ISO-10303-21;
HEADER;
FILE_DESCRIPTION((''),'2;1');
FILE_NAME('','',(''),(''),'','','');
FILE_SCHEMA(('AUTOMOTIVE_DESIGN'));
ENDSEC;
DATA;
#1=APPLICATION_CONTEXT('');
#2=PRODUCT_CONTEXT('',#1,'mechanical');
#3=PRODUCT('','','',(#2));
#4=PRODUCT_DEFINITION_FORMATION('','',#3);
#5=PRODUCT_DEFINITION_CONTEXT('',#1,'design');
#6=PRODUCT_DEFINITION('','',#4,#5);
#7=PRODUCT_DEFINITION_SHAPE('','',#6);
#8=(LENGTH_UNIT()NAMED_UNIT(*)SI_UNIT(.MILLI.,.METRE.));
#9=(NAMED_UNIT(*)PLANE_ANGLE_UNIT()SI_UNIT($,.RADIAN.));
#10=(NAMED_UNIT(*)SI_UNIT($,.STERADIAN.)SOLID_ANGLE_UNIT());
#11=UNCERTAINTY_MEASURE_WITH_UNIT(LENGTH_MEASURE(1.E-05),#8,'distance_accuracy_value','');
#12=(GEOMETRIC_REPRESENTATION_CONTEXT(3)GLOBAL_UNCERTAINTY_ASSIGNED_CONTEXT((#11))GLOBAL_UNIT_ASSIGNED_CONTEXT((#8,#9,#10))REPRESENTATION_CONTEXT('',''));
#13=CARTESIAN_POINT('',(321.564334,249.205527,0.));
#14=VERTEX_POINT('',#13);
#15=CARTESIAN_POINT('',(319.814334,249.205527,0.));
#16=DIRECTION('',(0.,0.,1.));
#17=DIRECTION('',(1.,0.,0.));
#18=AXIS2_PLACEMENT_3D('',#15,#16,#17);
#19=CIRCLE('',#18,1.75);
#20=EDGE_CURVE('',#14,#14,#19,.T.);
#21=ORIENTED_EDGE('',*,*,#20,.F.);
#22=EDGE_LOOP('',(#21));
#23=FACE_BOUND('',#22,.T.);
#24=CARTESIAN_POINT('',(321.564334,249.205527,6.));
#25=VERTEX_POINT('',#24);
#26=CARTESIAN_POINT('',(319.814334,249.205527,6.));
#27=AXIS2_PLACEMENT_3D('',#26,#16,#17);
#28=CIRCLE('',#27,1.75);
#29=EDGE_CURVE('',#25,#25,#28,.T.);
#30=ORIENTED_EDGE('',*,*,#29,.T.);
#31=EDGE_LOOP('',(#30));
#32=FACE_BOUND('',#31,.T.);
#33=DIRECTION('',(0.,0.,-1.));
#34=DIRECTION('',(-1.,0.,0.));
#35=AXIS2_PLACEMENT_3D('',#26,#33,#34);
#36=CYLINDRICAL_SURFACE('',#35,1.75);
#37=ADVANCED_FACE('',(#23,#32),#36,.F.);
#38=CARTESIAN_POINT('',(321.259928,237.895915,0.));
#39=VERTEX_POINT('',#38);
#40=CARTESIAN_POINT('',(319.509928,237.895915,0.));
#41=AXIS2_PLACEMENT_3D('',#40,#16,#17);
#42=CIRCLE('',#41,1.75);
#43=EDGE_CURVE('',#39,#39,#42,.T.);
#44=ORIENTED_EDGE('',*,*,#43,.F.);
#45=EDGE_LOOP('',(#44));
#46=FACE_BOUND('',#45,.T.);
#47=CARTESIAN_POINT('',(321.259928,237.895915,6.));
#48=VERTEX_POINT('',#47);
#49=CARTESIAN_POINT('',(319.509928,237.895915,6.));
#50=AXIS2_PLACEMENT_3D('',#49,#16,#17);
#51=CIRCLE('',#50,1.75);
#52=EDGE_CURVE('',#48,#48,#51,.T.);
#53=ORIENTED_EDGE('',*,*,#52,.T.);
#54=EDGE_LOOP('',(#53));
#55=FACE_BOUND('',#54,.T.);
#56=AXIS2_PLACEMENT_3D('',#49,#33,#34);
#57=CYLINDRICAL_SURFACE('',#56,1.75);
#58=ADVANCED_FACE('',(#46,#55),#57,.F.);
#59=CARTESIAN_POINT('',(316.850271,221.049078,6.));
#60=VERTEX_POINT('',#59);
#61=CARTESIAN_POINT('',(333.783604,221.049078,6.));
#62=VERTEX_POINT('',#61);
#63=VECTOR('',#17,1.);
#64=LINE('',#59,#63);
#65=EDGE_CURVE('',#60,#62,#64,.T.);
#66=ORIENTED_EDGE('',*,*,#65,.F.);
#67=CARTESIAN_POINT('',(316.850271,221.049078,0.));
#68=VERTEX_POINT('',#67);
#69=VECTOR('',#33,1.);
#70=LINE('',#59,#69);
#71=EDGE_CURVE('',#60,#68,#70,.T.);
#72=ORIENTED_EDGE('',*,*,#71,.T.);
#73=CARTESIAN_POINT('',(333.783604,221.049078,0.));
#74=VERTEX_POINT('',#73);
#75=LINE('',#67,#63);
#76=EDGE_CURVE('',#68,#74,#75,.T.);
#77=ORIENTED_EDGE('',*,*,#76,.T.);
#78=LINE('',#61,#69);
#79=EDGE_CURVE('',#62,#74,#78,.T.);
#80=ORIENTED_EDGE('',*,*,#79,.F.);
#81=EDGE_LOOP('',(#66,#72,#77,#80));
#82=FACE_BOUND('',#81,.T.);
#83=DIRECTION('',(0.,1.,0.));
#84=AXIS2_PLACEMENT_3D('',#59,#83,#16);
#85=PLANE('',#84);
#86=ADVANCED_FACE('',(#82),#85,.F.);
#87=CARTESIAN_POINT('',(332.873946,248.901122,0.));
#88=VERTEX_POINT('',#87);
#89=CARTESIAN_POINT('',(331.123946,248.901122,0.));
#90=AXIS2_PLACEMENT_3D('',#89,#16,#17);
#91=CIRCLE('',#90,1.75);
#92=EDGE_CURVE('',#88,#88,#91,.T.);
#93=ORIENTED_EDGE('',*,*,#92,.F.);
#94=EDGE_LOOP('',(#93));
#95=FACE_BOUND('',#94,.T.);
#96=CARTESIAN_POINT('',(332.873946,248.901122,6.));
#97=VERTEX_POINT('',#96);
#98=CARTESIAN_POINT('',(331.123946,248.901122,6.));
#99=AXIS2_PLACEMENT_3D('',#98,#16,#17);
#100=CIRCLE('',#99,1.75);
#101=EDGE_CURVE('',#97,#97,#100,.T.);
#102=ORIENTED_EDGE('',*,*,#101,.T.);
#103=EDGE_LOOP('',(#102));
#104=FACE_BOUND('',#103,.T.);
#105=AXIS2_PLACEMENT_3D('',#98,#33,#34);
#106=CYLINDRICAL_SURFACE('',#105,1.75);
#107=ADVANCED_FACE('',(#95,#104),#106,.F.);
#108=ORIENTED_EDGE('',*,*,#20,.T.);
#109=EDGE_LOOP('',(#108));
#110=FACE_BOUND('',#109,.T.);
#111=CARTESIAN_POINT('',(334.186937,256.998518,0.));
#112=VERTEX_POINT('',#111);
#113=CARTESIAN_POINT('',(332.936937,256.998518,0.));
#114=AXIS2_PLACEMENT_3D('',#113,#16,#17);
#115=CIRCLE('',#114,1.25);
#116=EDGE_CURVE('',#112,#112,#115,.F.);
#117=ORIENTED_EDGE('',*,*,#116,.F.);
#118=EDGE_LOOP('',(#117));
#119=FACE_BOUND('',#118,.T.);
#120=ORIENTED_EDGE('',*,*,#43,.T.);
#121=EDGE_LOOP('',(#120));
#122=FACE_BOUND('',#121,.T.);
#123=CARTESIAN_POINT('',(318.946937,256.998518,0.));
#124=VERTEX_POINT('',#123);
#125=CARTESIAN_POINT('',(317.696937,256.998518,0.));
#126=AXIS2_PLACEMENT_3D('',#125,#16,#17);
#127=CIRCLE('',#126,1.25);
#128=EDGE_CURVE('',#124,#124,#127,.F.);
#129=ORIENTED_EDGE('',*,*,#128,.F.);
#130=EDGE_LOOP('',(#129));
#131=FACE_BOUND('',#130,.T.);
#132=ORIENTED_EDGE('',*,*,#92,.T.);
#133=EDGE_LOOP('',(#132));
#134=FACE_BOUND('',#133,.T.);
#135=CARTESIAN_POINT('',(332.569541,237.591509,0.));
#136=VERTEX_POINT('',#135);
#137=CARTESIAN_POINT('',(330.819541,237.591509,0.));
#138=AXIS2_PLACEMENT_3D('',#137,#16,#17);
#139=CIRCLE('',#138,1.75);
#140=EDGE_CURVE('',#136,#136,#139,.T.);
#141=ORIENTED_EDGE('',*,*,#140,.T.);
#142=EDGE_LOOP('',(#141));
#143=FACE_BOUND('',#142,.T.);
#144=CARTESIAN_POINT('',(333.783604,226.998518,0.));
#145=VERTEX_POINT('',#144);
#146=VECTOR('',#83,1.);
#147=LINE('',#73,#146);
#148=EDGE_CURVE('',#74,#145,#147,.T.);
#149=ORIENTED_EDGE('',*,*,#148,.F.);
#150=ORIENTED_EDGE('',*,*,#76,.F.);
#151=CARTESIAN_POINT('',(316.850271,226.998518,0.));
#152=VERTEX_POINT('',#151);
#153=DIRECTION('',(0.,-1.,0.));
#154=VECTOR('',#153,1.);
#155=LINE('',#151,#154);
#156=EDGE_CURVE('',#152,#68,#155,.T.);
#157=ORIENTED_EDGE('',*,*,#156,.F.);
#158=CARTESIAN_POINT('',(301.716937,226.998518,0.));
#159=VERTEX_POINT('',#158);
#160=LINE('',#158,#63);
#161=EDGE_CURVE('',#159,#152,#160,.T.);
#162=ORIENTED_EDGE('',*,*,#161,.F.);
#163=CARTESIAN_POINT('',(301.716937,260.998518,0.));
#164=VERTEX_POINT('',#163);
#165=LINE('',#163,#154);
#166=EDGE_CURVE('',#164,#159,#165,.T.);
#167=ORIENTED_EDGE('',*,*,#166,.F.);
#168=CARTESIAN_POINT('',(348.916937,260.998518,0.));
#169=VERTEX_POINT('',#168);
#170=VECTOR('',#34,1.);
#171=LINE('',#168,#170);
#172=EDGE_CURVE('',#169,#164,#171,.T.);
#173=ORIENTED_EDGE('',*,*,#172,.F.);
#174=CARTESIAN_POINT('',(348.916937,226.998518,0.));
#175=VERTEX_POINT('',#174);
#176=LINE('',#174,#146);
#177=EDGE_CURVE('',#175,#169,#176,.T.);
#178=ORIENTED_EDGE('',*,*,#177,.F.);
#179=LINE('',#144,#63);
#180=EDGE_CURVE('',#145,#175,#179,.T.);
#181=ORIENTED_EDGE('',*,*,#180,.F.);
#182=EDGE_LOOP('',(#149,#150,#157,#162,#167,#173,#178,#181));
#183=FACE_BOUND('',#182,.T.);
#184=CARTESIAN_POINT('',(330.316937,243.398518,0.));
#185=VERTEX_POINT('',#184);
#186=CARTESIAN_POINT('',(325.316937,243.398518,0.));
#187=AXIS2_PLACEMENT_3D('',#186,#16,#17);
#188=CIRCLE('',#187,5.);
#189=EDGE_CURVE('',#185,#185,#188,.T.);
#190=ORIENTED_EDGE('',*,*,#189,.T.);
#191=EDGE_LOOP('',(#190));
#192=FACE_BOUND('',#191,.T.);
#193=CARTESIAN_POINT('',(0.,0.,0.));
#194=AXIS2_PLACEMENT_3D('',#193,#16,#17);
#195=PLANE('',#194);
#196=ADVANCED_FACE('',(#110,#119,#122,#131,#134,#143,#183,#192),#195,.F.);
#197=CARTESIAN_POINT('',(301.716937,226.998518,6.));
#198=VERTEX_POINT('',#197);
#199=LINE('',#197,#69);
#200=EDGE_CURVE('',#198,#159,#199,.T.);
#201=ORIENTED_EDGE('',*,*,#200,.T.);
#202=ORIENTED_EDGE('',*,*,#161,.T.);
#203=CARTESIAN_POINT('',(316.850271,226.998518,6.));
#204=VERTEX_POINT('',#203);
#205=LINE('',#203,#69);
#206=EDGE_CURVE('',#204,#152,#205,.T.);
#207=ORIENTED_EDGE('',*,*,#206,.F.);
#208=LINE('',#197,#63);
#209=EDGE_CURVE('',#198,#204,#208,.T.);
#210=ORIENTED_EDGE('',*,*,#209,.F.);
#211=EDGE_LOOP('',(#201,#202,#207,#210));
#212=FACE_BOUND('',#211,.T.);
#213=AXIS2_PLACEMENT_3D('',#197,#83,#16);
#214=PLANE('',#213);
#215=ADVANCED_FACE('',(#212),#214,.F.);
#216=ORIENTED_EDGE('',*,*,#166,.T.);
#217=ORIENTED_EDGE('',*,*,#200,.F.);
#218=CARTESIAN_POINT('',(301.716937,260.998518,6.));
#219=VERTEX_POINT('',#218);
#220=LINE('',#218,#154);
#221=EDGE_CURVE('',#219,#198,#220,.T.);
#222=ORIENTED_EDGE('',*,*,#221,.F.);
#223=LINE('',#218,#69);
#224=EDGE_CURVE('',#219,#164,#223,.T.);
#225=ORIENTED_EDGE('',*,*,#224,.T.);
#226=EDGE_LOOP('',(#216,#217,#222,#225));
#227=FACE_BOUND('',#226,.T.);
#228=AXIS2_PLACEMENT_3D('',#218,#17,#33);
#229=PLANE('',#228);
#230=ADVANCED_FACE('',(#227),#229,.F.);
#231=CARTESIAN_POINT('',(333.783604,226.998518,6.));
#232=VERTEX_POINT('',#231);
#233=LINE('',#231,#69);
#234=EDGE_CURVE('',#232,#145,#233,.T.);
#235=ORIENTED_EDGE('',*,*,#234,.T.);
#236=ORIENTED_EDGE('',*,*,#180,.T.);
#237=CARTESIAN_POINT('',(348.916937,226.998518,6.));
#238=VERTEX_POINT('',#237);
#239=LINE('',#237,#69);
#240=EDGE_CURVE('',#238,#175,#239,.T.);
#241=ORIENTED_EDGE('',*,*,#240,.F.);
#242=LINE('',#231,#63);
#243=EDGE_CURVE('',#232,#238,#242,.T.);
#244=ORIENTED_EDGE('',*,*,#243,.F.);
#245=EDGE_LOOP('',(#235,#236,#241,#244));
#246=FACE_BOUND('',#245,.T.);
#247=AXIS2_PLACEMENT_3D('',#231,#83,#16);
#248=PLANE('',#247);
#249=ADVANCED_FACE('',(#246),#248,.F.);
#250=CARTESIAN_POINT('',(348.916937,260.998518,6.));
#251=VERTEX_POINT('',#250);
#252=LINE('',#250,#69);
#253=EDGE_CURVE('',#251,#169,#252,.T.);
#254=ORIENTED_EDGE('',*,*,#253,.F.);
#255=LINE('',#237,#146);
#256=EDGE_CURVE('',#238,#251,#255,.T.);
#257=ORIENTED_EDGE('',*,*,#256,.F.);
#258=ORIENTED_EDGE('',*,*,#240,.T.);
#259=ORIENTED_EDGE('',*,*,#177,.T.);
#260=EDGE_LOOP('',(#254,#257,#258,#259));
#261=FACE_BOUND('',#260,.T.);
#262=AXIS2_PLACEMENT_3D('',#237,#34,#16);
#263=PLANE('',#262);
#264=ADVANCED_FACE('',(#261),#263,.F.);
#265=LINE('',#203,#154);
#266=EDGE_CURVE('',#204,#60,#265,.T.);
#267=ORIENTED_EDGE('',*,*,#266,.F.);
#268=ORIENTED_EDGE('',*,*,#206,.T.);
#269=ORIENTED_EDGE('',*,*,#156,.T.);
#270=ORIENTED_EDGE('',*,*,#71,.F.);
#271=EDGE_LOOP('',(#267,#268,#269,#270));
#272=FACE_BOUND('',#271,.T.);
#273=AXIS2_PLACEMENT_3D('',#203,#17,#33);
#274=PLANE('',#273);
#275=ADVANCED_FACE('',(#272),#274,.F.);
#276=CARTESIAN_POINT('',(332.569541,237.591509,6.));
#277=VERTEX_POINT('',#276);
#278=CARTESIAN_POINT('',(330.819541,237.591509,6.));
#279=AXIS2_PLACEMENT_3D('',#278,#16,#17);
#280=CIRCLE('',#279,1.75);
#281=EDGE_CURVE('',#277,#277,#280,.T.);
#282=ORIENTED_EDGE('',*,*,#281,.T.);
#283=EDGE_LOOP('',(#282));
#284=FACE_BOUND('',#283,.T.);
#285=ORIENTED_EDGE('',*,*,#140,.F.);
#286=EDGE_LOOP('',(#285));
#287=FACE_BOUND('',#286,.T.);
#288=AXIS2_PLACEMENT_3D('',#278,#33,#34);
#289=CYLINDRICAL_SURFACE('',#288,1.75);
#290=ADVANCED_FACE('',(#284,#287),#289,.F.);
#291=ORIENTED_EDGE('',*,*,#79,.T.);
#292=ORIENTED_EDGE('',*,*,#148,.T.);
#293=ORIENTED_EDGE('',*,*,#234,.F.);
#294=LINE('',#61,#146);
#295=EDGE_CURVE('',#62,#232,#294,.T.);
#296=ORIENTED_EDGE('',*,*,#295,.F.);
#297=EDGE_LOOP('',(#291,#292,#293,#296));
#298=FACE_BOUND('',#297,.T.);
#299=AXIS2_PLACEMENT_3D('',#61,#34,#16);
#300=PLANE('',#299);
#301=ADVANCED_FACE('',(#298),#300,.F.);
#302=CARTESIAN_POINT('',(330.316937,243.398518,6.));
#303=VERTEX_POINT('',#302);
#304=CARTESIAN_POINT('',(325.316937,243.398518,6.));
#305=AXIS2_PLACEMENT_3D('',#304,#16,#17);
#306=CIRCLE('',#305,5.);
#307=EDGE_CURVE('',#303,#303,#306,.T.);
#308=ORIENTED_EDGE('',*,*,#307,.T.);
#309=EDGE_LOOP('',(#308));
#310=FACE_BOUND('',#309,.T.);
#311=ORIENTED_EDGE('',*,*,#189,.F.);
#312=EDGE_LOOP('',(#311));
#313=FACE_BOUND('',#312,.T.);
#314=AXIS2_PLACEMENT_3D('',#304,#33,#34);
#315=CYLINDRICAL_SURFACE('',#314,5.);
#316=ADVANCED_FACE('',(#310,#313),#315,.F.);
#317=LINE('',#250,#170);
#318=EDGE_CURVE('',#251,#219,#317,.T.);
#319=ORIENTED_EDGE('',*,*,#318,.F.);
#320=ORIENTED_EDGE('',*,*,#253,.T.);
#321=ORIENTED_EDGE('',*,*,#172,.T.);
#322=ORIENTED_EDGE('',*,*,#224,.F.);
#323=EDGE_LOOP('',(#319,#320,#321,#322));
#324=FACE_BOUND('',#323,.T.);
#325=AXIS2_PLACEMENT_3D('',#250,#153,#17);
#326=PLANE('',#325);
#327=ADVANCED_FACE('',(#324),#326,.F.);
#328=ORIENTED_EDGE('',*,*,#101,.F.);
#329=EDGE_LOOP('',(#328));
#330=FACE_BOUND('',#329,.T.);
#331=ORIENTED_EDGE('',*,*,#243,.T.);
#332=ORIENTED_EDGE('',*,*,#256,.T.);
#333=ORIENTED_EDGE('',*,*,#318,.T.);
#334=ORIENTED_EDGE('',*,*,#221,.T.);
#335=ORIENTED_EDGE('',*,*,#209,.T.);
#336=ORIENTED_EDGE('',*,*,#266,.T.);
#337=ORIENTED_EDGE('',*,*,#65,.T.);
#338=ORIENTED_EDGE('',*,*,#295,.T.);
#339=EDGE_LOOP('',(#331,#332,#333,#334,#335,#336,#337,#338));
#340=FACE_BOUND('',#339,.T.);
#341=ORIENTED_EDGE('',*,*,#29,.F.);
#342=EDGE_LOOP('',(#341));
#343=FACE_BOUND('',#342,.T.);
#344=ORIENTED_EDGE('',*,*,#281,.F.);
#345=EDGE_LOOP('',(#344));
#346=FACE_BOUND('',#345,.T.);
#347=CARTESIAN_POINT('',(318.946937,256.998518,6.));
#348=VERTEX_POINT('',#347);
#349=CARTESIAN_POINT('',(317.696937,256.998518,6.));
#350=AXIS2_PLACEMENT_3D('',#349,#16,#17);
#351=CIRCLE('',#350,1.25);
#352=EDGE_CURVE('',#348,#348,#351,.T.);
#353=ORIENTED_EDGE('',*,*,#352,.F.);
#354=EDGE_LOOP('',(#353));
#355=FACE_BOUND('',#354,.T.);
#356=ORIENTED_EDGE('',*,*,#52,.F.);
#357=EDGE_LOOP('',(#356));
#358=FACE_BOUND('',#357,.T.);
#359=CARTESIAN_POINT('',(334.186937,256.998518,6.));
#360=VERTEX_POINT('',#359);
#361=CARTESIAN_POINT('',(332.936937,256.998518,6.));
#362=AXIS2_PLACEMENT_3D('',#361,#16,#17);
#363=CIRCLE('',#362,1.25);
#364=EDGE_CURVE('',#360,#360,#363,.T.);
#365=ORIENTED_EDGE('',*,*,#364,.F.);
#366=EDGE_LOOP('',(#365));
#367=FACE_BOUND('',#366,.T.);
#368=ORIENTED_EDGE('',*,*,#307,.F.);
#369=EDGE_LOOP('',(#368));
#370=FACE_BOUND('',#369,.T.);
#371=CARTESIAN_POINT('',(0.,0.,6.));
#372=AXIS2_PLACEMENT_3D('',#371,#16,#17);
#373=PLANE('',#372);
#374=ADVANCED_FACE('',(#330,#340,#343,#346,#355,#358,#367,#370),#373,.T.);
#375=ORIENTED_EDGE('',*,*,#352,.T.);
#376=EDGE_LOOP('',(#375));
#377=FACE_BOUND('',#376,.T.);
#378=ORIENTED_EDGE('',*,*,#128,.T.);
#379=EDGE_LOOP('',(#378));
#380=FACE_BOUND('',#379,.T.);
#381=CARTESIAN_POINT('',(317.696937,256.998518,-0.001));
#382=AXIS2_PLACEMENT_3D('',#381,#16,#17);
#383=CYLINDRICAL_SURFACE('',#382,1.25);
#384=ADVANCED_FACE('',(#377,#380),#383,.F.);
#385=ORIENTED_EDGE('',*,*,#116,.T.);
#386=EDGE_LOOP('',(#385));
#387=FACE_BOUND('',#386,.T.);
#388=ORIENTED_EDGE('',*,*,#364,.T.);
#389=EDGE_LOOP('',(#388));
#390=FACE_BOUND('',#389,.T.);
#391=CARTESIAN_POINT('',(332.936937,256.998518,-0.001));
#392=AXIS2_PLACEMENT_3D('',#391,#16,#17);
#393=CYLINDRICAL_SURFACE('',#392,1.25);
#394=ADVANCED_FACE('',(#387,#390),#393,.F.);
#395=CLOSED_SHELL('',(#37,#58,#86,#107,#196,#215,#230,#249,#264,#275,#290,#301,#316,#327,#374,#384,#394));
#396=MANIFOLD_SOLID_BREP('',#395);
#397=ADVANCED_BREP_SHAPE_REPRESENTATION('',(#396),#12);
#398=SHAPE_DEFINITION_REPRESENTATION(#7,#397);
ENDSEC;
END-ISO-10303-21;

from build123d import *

# Parameters (mm, degrees)
SKETCH1_R           = 5
SKETCH1_R_2         = 1.75
BOSS_EXTRUDE1_DEPTH = 6
CUT_EXTRUDE1_REACH  = 8
SKETCH2_R           = 1.25


with BuildPart() as part:
    # Sketch1 → Boss-Extrude1 (new body)
    with BuildSketch(Plane.XY):
        Polygon((348.916937196, 226.998518154), (348.916937196, 260.998518154), (301.716937196, 260.998518154), (301.716937196, 226.998518154), (316.850270529, 226.998518154), (316.850270529, 221.04907787), (333.783603862, 221.04907787), (333.783603862, 226.998518154), align=None)
        with Locations((325.316937196, 243.398518154)):
            Circle(SKETCH1_R, mode=Mode.SUBTRACT)
        with Locations((331.123946249, 248.901121707)):
            Circle(SKETCH1_R_2, mode=Mode.SUBTRACT)
        with Locations((319.814333643, 249.205527207)):
            Circle(SKETCH1_R_2, mode=Mode.SUBTRACT)
        with Locations((319.509928143, 237.895914601)):
            Circle(SKETCH1_R_2, mode=Mode.SUBTRACT)
        with Locations((330.819540748, 237.591509101)):
            Circle(SKETCH1_R_2, mode=Mode.SUBTRACT)
    extrude(amount=BOSS_EXTRUDE1_DEPTH)

    # Sketch2 → Cut-Extrude1 (cut, up to next)
    with BuildSketch(Plane.XY.offset(6), mode=Mode.PRIVATE) as cut_extrude1_sk1:
        with Locations((317.696937196, 256.998518154)):
            Circle(SKETCH2_R)
    cut_extrude1_tool1 = extrude(cut_extrude1_sk1.sketch, amount=-CUT_EXTRUDE1_REACH, mode=Mode.PRIVATE) & part.part
    add(cut_extrude1_tool1.solids().sort_by_distance((317.696937, 256.998518, 6))[0], mode=Mode.SUBTRACT)
    # Sketch2 → Cut-Extrude1 (cut, up to next)
    with BuildSketch(Plane.XY.offset(6), mode=Mode.PRIVATE) as cut_extrude1_sk2:
        with Locations((332.936937196, 256.998518154)):
            Circle(SKETCH2_R)
    cut_extrude1_tool2 = extrude(cut_extrude1_sk2.sketch, amount=-CUT_EXTRUDE1_REACH, mode=Mode.PRIVATE) & part.part
    add(cut_extrude1_tool2.solids().sort_by_distance((332.936937, 256.998518, 6))[0], mode=Mode.SUBTRACT)


solid = part.part
